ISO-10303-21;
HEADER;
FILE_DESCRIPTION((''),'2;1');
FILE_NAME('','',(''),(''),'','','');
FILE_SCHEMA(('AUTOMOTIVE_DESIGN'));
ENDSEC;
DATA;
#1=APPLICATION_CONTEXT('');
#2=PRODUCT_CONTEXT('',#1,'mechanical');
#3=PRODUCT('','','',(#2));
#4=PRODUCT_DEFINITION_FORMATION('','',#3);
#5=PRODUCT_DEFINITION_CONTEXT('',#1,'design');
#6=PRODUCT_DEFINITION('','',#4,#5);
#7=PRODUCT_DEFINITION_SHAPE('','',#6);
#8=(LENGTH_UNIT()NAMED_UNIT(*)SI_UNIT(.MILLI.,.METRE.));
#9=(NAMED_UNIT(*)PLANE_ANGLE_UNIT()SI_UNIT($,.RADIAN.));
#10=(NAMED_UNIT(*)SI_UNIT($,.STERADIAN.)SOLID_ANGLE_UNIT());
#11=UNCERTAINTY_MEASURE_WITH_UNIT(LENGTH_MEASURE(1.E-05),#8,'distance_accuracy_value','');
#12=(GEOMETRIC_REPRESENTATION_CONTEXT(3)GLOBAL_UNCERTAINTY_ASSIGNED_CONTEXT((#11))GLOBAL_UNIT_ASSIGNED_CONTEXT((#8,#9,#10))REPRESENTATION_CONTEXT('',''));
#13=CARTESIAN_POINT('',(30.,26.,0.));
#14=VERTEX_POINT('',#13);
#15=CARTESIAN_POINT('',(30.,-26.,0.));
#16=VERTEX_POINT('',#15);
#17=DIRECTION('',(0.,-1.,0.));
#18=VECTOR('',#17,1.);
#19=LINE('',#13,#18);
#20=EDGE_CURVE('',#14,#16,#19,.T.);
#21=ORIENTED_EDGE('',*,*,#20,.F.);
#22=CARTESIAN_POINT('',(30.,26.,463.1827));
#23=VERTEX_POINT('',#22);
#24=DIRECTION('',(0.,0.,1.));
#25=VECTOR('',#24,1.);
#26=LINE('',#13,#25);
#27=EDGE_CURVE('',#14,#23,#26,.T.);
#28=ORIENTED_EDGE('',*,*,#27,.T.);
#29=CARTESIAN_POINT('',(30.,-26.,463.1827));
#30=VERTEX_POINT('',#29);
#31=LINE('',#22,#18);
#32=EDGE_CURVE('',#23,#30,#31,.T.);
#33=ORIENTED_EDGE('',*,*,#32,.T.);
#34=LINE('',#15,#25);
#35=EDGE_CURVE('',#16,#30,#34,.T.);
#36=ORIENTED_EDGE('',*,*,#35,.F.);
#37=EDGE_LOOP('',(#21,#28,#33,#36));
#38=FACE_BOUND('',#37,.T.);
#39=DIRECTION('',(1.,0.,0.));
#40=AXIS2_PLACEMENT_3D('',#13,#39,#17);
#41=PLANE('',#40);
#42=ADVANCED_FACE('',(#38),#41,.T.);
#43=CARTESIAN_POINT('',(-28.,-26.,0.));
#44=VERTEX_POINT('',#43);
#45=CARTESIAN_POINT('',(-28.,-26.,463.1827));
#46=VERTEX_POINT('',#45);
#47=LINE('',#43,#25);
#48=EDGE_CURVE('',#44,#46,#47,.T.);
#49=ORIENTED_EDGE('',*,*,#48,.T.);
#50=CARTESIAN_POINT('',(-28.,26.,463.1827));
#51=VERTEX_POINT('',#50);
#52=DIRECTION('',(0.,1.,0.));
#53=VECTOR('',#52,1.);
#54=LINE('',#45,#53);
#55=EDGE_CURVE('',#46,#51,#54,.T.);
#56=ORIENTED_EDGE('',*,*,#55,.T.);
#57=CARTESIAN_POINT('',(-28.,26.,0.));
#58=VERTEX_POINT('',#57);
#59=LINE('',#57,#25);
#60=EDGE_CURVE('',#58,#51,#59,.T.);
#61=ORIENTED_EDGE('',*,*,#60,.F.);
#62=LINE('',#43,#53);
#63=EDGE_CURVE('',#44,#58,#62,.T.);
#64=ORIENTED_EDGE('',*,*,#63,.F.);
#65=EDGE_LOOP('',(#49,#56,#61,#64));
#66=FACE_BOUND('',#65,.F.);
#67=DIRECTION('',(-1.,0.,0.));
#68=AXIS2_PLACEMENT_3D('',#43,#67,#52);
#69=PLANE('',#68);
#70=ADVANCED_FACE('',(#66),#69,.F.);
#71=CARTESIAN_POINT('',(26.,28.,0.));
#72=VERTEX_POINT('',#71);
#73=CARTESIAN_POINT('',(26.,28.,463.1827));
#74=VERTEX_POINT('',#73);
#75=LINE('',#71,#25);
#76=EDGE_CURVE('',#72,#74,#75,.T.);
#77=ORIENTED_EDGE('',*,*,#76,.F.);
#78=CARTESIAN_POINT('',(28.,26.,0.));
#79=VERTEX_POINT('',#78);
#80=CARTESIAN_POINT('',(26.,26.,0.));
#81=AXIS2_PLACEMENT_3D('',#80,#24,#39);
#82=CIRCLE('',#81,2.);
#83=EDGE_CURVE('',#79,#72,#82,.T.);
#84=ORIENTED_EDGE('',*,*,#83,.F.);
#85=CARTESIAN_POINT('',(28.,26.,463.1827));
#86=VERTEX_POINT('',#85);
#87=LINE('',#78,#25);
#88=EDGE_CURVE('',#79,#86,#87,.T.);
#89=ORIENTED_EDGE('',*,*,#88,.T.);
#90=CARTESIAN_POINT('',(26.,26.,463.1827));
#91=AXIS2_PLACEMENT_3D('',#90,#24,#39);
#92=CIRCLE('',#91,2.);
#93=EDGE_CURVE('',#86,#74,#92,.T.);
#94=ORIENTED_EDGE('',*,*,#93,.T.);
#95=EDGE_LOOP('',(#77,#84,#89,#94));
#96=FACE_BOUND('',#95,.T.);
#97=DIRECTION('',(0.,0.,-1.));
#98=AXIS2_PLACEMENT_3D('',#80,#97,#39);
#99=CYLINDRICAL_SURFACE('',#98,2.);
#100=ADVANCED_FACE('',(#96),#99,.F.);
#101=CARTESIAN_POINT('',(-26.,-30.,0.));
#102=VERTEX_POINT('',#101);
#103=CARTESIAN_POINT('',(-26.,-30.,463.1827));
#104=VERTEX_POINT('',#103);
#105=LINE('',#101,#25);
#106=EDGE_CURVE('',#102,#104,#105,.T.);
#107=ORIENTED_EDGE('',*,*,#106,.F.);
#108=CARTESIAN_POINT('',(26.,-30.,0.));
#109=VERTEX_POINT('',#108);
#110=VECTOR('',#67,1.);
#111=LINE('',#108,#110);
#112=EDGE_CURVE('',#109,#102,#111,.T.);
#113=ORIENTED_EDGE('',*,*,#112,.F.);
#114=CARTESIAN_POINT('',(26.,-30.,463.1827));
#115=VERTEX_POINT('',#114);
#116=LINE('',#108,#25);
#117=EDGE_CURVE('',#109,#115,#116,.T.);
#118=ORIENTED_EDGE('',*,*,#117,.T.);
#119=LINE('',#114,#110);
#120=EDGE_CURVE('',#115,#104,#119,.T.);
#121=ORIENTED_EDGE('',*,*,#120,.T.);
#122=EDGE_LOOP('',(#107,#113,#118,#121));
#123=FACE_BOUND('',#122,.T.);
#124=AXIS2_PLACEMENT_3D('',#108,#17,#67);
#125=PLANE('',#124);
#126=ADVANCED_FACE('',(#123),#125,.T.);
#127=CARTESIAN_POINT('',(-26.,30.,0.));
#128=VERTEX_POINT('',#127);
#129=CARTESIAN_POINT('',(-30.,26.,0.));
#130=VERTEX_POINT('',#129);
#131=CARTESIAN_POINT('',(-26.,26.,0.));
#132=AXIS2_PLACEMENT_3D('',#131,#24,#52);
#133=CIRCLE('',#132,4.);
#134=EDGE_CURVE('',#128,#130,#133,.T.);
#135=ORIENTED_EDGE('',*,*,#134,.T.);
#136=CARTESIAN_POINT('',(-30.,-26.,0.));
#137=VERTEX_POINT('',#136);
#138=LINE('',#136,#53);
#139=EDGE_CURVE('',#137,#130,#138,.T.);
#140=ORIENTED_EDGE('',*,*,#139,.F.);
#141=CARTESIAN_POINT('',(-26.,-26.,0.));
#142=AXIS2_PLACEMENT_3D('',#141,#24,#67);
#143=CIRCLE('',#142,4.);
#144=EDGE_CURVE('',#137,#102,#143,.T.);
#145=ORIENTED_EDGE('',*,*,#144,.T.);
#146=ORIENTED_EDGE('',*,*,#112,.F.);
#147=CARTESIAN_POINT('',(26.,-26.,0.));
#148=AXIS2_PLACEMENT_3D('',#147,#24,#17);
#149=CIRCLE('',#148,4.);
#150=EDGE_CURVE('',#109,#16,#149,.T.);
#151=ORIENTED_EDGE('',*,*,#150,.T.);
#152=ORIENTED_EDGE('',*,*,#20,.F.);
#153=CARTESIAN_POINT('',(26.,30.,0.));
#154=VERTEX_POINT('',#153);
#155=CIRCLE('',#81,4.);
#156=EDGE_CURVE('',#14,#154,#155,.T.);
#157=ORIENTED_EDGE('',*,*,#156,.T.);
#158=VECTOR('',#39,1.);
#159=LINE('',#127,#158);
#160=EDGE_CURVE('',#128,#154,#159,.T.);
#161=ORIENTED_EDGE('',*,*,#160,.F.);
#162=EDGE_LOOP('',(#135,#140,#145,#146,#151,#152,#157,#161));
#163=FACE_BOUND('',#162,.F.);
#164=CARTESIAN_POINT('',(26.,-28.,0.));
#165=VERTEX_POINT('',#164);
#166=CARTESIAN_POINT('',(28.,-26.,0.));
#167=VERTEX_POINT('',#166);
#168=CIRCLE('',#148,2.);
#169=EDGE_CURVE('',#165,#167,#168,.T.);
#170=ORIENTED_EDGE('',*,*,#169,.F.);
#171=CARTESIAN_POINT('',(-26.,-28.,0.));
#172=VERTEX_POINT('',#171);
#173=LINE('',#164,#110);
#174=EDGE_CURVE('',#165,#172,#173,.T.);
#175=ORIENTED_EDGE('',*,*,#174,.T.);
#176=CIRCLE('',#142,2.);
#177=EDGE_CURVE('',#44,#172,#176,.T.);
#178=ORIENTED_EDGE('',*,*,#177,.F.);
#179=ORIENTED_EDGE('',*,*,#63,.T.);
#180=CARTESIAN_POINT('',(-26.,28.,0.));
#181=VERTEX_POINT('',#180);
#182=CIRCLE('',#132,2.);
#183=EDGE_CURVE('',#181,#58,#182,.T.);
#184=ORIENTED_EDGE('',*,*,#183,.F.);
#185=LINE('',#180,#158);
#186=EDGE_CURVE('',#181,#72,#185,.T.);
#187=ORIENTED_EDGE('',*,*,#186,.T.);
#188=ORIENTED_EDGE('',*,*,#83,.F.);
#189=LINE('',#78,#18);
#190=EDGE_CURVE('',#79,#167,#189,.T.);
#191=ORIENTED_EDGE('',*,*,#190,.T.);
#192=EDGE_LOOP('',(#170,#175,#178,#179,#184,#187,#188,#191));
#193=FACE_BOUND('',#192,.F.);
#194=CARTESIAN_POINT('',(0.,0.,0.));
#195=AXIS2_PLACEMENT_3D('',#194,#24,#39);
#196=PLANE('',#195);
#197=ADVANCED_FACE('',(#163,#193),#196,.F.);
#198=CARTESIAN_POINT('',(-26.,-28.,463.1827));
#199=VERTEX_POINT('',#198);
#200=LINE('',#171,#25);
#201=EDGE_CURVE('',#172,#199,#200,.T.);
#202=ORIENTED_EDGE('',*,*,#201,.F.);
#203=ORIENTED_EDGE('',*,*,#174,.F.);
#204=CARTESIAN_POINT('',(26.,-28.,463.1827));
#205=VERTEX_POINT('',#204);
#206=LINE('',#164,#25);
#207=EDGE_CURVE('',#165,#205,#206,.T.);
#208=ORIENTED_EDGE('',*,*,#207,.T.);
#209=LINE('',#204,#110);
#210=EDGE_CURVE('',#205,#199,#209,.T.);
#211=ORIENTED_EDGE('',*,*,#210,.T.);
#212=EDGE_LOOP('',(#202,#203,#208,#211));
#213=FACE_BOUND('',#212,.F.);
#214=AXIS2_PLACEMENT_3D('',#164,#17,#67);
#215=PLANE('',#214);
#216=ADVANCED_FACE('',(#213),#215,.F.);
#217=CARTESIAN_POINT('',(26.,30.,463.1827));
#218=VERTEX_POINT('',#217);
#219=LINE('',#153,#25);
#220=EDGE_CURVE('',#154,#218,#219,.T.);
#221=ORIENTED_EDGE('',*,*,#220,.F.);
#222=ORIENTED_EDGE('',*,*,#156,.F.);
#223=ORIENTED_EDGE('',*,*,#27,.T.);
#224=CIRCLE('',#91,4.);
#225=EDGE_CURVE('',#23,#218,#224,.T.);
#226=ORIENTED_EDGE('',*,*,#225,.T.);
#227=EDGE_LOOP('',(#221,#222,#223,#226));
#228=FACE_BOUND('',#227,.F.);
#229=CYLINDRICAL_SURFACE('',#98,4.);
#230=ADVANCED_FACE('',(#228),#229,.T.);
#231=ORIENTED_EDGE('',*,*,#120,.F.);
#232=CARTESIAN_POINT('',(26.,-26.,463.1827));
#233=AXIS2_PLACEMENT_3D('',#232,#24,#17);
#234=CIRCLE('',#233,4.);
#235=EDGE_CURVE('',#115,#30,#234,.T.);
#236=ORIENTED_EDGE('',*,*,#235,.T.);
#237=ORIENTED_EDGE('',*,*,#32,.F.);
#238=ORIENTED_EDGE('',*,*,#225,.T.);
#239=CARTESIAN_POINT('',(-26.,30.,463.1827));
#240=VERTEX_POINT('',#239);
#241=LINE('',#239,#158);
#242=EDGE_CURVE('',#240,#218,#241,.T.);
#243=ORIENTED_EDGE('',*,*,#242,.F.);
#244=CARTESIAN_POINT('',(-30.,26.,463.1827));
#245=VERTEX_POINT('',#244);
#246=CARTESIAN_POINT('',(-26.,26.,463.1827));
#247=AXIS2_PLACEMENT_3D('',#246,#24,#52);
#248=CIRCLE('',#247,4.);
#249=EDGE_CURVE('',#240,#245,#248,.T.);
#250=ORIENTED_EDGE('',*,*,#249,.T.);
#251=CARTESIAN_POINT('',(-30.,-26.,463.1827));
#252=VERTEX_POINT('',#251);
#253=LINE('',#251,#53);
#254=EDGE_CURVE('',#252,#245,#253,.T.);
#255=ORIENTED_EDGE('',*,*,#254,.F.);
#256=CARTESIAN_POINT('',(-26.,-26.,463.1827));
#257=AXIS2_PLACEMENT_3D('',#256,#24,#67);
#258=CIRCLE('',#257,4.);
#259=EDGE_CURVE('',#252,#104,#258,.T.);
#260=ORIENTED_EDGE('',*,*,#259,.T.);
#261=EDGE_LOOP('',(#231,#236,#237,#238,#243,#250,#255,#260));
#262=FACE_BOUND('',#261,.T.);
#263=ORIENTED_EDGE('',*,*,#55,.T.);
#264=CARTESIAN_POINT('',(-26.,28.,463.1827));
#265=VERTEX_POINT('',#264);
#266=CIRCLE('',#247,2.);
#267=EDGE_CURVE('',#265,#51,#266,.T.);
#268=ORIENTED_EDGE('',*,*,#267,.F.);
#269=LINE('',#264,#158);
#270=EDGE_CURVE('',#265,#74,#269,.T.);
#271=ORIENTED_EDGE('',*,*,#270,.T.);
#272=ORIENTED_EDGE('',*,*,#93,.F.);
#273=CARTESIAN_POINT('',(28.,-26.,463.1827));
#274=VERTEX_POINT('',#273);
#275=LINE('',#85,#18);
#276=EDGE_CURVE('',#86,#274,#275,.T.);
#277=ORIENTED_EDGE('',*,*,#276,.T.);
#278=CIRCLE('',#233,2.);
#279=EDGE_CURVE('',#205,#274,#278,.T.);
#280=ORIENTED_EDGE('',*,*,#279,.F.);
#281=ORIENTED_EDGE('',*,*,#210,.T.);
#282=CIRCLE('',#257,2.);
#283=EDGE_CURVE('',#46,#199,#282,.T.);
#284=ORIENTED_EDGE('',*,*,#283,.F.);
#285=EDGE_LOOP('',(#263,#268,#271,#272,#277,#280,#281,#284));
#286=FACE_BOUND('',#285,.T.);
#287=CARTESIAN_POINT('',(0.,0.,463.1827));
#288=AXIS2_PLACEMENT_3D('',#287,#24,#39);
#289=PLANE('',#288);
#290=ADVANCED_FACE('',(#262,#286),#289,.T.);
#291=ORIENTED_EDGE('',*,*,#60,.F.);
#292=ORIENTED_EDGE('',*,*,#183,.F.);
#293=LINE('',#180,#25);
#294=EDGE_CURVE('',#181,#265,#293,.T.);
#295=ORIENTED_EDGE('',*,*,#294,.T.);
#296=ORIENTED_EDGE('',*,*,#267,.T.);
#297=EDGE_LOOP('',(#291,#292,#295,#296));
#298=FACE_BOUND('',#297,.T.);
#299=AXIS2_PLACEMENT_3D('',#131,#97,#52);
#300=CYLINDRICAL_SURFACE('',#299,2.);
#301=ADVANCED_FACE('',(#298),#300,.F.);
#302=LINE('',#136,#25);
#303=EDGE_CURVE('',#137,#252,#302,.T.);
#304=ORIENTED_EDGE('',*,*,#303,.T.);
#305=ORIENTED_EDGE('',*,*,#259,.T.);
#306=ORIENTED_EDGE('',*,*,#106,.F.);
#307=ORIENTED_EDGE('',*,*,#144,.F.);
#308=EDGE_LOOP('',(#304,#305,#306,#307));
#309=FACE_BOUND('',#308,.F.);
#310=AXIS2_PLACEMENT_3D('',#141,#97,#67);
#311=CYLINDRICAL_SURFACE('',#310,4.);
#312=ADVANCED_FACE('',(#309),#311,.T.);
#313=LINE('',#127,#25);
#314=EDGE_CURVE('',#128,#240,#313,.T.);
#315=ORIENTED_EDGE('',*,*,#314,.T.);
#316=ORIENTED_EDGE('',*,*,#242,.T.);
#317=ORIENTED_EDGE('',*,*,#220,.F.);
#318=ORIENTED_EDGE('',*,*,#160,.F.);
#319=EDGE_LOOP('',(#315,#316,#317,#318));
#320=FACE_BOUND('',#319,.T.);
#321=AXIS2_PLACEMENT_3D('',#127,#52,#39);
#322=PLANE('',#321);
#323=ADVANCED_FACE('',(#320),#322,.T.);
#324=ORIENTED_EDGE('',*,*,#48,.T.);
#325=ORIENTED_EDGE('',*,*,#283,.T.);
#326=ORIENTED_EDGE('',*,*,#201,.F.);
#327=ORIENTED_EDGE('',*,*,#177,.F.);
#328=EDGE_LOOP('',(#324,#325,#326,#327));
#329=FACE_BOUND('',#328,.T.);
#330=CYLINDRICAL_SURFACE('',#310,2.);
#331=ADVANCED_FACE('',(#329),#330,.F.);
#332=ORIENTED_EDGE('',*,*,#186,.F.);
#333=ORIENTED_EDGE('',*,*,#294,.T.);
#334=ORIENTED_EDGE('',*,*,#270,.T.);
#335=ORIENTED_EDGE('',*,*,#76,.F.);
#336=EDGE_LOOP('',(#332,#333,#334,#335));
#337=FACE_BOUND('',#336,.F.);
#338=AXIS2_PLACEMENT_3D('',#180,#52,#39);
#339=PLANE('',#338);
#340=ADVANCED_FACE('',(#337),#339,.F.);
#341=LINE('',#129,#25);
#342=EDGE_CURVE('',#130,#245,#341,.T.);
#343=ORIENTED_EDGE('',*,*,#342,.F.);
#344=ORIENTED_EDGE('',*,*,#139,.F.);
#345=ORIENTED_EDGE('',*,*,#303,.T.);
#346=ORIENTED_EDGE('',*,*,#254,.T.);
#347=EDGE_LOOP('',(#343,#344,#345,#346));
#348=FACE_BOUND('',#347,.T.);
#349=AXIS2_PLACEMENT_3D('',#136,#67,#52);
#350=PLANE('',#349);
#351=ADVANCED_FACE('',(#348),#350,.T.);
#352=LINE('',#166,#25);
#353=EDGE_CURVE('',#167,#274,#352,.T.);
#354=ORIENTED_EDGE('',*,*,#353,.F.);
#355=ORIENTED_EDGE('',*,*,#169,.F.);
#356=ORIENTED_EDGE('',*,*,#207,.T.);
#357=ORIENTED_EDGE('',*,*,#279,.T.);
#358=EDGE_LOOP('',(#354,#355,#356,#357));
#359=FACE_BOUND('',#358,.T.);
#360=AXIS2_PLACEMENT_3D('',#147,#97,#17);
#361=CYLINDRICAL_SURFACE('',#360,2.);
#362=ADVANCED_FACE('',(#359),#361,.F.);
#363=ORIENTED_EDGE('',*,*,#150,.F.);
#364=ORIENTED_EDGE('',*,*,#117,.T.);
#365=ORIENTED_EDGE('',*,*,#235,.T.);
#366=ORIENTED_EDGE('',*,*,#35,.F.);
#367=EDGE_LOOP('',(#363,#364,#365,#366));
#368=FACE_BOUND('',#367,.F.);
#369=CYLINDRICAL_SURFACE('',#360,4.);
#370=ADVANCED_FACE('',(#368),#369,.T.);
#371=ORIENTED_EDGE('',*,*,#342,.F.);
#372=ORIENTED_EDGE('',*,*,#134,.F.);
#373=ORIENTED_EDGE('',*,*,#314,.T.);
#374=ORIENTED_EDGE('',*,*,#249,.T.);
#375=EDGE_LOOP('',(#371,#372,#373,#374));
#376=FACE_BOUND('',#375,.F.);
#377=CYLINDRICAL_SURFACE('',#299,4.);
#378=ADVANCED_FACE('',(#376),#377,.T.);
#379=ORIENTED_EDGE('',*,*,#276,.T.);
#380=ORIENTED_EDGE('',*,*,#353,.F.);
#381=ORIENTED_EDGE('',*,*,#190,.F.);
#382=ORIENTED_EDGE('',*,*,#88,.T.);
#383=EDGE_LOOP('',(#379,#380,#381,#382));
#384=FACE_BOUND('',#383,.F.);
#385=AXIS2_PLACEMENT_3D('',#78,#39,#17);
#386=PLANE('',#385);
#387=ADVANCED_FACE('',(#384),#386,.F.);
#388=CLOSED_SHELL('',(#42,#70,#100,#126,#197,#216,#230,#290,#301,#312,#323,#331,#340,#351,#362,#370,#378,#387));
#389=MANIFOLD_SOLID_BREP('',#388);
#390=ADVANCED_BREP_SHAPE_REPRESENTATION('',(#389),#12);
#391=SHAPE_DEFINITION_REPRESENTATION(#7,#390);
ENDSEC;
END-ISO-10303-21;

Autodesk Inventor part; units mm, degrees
ref_plane "YZ Plane" through (0, 0, 0) normal (1, 0, 0) x (0, 1, 0)
ref_plane "Start plane" through (0, 0, 0) normal (0, 0, 1) x (1, 0, 0)
ref_plane "End plane" through (0, 0, 463.1827) normal (0, 0, 1) x (1, 0, 0)
sketch "Sketch" plane through (0, 0, 0) normal (0, 0, 1) x (1, 0, 0)
  line L0 (-30, -26) -> (-30, 26)
  line L1 (-26, 30) -> (26, 30)
  line L2 (30, 26) -> (30, -26)
  line L3 (26, -30) -> (-26, -30)
  arc A0 (-30, -26) -> (-26, -30) centre (-26, -26) ccw
  arc A1 (30, 26) -> (26, 30) centre (26, 26) ccw
  arc A2 (-26, 30) -> (-30, 26) centre (-26, 26) ccw
  arc A3 (26, -30) -> (30, -26) centre (26, -26) ccw
  arc A4 (-26, 28) -> (-28, 26) centre (-26, 26) ccw
  line L4 (-26, 28) -> (26, 28)
  arc A5 (28, 26) -> (26, 28) centre (26, 26) ccw
  line L5 (28, 26) -> (28, -26)
  arc A6 (26, -28) -> (28, -26) centre (26, -26) ccw
  line L6 (26, -28) -> (-26, -28)
  arc A7 (-28, -26) -> (-26, -28) centre (-26, -26) ccw
  line L7 (-28, -26) -> (-28, 26)
  line L8 (0, 43.1598) -> (0, -43.1598) construction
  line L9 (-43.1598, 0) -> (43.1598, 0) construction
  dimension "d7" = 4
  dimension "d9" = 60
  dimension "d11" = 60
  dimension "d12" = 2
  dimension "d15" = 30
  dimension "d16" = 30
extrude "Body" add sketch "Sketch" along normal up to surface (463.1827 mm away) from surface at 0
sketch "Sketch3" plane through (0, 0, 0) normal (0, 0, 1) x (1, 0, 0)
  line L0 (0, 0) -> (10, 0)
ref_plane "Work Plane3" through (0, 0, 0) normal (0, -1, 0) x (1, 0, 0)
sketch "Sketch4" plane through (0, 0, 0) normal (0, -1, 0) x (1, 0, 0)
  line L0 (-2, 0) -> (12, 0)
  line L1 (-2, 463.1827) -> (12, 463.1827)
  dimension "d18" = 463.1827
equation "\"d7\" = G_IR"
equation "\"d9\" = G_W"
equation "\"d11\" = G_H"
equation "\"d12\" = G_T"
equation "\"d15\" = 0.5 * d9"
equation "\"d16\" = 0.5 * d11"
equation "\"d3\" = G_L"
equation "\"G_W\" = 60"
equation "\"G_H\" = 60"
equation "\"G_T\" = 2"
equation "\"G_IR\" = 4"
equation "\"G_L\" = d18"
equation "\"G_OFFSET_START\" = 0"
equation "\"G_OFFSET_END\" = 0"
equation "\"d14\" = G_OFFSET_END + B_L"
equation "\"B_L\" = 463.18271"
properties part number "ISO 4019 - 60x60x2 - 463.183" material "Steel, Mild"
